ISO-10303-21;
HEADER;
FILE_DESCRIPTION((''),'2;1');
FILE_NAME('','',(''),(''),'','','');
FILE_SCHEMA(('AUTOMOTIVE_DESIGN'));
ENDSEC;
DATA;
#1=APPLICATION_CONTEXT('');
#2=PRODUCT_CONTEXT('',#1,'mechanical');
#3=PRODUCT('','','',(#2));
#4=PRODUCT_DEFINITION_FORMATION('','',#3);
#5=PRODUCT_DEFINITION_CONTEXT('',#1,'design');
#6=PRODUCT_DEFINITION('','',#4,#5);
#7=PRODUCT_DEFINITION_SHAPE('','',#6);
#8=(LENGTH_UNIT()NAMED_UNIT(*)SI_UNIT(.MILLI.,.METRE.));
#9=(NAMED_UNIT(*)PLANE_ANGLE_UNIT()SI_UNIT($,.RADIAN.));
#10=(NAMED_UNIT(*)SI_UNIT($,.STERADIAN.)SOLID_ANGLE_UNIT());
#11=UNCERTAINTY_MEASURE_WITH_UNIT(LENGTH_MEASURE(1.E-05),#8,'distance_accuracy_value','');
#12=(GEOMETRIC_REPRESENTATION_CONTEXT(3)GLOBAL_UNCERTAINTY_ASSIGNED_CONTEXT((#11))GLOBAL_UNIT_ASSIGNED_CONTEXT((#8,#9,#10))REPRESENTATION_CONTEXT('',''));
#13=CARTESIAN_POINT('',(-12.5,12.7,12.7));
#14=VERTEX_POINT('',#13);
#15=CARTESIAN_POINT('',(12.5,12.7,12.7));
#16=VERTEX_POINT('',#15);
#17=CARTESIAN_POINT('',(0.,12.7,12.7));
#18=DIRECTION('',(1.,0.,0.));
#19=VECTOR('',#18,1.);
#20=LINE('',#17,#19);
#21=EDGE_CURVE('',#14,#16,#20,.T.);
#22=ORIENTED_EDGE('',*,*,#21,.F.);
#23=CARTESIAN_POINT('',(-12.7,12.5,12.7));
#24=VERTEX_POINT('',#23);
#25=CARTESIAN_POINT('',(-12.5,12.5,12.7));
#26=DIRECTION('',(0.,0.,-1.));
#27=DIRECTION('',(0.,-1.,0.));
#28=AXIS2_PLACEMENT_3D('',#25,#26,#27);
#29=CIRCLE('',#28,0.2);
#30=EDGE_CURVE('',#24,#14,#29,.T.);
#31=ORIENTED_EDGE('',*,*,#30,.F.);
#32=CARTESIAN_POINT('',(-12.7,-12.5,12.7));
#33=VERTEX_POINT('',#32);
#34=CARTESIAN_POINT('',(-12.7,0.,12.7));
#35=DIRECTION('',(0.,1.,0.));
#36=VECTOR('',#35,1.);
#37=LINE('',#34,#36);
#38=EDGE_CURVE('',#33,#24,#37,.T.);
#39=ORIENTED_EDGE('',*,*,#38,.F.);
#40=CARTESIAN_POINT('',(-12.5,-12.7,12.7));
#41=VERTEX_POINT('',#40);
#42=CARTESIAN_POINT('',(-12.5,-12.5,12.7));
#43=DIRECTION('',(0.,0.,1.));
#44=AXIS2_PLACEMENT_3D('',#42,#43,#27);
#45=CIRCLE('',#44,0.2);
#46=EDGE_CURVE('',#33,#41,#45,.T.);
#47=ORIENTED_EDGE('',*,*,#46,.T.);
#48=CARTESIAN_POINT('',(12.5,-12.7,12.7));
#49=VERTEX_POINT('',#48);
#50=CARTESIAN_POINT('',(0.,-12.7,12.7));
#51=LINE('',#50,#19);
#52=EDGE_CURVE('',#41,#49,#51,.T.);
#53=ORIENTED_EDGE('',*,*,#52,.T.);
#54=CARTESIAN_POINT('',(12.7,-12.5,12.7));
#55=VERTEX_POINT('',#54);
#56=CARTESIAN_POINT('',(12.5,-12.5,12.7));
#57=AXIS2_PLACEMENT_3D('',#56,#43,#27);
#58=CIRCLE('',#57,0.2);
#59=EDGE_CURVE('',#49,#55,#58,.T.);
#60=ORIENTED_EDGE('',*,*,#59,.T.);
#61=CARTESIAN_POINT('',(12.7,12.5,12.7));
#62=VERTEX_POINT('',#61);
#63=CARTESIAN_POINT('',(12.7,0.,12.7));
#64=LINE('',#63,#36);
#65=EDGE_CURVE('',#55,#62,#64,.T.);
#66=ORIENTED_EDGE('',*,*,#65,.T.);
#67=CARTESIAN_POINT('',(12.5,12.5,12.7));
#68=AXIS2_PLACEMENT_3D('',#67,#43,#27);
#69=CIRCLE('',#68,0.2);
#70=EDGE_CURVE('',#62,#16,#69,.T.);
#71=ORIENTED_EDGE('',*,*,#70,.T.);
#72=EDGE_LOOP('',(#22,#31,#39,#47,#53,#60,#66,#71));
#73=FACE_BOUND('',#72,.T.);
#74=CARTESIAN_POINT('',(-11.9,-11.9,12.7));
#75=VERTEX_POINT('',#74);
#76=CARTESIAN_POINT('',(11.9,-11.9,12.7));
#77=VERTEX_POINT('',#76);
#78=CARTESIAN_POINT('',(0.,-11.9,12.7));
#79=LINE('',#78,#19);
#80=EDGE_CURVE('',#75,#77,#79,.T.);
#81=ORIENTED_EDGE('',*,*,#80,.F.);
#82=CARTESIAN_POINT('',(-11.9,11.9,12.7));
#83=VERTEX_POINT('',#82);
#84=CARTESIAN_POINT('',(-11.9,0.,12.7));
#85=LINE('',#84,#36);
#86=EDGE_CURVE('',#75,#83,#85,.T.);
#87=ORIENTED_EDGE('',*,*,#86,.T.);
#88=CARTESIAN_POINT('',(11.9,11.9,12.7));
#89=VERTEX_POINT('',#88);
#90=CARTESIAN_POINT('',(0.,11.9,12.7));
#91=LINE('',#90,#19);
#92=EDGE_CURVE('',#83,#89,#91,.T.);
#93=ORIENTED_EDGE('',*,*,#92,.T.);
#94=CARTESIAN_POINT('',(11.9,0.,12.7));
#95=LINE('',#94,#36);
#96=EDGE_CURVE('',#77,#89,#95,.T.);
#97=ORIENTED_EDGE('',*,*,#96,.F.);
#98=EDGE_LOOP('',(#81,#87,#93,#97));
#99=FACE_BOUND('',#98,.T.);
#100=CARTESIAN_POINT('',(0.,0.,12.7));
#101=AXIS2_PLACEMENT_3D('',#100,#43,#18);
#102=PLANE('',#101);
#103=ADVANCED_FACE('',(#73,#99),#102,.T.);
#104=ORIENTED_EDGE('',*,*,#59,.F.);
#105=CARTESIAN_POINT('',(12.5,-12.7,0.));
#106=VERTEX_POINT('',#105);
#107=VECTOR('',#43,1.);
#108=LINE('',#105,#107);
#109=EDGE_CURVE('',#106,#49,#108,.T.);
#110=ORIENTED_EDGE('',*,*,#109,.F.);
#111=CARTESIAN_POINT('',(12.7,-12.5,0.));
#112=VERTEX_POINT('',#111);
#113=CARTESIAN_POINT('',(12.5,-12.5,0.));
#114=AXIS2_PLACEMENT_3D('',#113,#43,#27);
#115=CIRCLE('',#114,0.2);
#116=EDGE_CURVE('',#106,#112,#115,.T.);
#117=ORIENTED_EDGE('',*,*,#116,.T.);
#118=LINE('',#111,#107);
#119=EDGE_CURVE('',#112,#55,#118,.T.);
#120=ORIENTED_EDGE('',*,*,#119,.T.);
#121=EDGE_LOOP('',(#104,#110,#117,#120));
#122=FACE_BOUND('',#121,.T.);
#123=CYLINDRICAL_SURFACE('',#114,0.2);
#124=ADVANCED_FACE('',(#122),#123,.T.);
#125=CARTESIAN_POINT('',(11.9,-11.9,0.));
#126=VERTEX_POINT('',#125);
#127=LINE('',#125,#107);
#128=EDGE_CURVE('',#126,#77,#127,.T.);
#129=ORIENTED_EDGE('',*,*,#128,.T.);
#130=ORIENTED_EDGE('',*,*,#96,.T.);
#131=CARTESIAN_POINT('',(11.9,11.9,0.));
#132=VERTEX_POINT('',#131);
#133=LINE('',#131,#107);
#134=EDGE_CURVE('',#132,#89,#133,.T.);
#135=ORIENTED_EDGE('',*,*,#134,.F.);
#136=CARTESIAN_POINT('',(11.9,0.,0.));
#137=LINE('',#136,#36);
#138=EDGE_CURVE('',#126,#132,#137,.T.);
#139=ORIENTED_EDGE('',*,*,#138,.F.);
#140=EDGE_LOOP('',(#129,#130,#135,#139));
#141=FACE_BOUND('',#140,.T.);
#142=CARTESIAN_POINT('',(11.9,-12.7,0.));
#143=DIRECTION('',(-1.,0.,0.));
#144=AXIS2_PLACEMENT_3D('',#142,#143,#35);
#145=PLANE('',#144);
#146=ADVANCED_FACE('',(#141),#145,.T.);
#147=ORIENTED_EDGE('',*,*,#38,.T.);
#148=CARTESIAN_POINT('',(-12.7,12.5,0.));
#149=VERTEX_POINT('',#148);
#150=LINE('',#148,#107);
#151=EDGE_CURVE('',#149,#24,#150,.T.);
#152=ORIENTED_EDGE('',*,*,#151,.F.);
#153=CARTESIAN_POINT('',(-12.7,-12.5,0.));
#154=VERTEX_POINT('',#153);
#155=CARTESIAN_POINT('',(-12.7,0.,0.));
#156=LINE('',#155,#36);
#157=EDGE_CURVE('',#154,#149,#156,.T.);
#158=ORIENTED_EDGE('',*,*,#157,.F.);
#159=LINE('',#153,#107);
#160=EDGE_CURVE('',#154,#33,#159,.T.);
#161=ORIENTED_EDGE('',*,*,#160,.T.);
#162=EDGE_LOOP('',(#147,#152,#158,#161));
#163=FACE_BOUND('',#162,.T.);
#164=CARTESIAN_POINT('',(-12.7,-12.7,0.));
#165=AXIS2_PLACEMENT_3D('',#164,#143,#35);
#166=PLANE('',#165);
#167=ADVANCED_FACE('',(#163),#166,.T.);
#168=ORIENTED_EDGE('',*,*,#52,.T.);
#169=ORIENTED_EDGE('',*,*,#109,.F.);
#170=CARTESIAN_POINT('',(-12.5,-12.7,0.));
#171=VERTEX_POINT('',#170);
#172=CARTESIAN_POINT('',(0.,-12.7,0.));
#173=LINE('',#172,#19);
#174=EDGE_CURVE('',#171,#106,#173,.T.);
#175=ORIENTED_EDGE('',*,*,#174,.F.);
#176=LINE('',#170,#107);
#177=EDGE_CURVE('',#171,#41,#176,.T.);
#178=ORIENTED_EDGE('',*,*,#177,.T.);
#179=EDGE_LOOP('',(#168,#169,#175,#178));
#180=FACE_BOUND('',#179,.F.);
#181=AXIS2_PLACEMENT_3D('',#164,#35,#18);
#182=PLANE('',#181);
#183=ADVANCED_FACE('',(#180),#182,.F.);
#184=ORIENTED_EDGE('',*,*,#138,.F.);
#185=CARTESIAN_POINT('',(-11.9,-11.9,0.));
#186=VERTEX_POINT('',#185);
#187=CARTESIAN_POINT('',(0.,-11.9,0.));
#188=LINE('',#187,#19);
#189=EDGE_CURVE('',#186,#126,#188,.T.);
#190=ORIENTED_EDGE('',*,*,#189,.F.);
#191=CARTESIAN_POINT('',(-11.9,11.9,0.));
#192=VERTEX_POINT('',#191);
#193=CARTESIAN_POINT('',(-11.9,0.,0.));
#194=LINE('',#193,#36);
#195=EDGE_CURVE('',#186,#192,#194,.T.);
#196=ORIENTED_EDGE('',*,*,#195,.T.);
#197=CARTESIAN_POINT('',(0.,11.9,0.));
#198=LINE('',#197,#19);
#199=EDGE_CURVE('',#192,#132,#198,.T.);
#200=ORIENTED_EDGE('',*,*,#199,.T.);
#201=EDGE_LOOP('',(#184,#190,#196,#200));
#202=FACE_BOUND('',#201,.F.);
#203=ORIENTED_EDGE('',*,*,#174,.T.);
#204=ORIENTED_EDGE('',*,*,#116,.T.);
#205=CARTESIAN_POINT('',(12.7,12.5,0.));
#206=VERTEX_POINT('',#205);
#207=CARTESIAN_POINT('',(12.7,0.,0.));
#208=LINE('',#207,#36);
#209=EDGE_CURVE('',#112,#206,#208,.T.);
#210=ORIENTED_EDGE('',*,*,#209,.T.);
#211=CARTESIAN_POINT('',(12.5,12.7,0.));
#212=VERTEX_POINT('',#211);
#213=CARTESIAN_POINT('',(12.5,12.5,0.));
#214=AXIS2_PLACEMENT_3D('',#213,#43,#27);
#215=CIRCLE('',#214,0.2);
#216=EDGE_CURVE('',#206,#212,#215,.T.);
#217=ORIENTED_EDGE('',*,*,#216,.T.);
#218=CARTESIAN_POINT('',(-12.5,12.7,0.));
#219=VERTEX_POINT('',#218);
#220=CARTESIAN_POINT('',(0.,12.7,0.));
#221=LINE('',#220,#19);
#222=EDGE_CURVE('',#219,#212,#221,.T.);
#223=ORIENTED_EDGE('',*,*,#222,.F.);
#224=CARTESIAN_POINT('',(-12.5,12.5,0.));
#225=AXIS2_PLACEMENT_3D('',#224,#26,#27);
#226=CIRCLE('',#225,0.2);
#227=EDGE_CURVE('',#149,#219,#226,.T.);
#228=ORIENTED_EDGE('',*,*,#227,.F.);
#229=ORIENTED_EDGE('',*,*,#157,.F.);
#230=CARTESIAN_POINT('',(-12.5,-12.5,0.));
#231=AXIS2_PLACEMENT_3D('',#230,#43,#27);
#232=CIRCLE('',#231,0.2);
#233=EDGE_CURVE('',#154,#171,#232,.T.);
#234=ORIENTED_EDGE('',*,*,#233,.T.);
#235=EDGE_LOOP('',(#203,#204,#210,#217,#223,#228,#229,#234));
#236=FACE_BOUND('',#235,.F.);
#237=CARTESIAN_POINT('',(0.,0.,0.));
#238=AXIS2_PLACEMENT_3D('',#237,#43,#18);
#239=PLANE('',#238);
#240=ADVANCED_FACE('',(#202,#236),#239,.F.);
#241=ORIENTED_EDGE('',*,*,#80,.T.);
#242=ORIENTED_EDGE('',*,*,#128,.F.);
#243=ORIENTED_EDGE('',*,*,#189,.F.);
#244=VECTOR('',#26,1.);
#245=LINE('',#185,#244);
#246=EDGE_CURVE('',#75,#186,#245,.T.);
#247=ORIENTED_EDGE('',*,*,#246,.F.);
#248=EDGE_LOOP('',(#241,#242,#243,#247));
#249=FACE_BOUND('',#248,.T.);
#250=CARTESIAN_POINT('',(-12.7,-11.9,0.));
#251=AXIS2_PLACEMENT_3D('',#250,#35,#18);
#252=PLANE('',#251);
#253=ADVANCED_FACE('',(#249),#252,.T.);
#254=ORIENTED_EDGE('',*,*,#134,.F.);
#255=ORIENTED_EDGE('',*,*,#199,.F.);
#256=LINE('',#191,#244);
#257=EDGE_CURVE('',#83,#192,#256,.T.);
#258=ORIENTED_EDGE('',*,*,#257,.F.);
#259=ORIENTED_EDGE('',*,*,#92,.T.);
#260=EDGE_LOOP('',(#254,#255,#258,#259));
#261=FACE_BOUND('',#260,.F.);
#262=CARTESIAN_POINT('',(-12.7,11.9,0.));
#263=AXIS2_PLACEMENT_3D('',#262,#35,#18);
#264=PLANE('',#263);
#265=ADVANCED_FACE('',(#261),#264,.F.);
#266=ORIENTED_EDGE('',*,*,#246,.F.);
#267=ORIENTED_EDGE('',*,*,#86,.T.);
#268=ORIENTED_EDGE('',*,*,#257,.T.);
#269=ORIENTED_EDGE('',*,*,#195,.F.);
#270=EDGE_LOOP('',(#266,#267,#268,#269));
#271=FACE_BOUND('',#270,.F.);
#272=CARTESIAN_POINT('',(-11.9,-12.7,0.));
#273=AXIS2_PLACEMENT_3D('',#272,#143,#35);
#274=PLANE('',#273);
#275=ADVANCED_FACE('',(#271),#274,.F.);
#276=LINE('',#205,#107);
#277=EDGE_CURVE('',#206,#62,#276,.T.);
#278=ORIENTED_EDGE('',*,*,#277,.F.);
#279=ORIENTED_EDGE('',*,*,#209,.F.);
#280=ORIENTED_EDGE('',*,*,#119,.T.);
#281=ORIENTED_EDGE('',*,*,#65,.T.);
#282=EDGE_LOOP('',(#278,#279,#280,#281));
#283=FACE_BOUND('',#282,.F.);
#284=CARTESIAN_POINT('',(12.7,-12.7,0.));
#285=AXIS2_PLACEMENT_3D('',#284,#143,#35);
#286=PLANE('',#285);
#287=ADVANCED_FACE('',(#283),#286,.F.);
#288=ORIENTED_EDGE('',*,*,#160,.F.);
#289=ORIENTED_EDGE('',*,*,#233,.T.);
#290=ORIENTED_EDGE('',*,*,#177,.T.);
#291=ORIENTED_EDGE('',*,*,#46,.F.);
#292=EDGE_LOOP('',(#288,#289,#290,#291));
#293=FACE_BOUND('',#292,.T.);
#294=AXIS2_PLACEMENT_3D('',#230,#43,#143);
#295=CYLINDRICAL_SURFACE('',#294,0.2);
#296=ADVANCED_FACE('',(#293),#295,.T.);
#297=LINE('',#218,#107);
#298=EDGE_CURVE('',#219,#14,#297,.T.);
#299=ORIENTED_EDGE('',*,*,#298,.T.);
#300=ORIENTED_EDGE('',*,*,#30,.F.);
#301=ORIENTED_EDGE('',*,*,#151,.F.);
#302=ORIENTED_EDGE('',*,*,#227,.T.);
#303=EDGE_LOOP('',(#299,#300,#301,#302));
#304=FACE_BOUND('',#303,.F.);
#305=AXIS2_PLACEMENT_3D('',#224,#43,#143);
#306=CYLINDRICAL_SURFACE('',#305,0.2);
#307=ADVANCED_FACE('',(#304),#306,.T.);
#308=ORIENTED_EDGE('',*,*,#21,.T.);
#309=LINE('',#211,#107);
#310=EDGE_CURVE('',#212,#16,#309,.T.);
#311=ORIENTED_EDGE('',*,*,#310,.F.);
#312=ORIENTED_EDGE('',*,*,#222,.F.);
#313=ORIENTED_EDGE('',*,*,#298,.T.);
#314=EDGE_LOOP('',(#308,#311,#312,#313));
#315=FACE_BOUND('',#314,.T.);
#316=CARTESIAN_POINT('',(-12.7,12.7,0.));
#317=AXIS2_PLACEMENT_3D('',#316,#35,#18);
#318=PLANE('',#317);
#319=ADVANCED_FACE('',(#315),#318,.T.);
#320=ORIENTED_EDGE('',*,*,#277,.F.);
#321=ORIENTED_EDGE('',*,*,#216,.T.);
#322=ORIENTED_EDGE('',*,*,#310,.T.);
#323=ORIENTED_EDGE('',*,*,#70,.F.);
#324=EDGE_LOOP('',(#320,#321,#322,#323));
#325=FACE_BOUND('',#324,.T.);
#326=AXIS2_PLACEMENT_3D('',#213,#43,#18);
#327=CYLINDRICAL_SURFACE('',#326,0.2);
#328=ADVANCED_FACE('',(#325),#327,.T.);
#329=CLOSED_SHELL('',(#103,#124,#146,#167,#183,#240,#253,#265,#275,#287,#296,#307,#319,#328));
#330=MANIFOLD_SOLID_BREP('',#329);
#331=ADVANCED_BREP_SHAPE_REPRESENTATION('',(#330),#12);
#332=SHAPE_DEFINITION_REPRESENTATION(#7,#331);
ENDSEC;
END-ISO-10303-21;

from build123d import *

# Parameters (mm, degrees)
F0_W     = 25.4
F0_H     = 25.4
F1_DEPTH = 12.7
F2_R     = 0.2
F3_T     = -0.8


with BuildPart() as f1:
    # F0 (on Top) → F1 (new body)
    with BuildSketch(Plane.XY):
        Rectangle(F0_W, F0_H)
    extrude(amount=F1_DEPTH)

    # F2
    f2_edges = [f1.edges().sort_by_distance(p)[0] for p in [
        (12.7, -12.7, 6.35),
        (12.7, 12.7, 6.35),
        (-12.7, -12.7, 6.35),
        (-12.7, 12.7, 6.35),
    ]]
    fillet(f2_edges, radius=F2_R)

    # F3
    f3_openings = [f1.faces().sort_by_distance(p)[0] for p in [
        (0, 0, 12.7),
        (0, 0, 0),
    ]]
    offset(amount=F3_T, openings=f3_openings)


solid = f1.part
